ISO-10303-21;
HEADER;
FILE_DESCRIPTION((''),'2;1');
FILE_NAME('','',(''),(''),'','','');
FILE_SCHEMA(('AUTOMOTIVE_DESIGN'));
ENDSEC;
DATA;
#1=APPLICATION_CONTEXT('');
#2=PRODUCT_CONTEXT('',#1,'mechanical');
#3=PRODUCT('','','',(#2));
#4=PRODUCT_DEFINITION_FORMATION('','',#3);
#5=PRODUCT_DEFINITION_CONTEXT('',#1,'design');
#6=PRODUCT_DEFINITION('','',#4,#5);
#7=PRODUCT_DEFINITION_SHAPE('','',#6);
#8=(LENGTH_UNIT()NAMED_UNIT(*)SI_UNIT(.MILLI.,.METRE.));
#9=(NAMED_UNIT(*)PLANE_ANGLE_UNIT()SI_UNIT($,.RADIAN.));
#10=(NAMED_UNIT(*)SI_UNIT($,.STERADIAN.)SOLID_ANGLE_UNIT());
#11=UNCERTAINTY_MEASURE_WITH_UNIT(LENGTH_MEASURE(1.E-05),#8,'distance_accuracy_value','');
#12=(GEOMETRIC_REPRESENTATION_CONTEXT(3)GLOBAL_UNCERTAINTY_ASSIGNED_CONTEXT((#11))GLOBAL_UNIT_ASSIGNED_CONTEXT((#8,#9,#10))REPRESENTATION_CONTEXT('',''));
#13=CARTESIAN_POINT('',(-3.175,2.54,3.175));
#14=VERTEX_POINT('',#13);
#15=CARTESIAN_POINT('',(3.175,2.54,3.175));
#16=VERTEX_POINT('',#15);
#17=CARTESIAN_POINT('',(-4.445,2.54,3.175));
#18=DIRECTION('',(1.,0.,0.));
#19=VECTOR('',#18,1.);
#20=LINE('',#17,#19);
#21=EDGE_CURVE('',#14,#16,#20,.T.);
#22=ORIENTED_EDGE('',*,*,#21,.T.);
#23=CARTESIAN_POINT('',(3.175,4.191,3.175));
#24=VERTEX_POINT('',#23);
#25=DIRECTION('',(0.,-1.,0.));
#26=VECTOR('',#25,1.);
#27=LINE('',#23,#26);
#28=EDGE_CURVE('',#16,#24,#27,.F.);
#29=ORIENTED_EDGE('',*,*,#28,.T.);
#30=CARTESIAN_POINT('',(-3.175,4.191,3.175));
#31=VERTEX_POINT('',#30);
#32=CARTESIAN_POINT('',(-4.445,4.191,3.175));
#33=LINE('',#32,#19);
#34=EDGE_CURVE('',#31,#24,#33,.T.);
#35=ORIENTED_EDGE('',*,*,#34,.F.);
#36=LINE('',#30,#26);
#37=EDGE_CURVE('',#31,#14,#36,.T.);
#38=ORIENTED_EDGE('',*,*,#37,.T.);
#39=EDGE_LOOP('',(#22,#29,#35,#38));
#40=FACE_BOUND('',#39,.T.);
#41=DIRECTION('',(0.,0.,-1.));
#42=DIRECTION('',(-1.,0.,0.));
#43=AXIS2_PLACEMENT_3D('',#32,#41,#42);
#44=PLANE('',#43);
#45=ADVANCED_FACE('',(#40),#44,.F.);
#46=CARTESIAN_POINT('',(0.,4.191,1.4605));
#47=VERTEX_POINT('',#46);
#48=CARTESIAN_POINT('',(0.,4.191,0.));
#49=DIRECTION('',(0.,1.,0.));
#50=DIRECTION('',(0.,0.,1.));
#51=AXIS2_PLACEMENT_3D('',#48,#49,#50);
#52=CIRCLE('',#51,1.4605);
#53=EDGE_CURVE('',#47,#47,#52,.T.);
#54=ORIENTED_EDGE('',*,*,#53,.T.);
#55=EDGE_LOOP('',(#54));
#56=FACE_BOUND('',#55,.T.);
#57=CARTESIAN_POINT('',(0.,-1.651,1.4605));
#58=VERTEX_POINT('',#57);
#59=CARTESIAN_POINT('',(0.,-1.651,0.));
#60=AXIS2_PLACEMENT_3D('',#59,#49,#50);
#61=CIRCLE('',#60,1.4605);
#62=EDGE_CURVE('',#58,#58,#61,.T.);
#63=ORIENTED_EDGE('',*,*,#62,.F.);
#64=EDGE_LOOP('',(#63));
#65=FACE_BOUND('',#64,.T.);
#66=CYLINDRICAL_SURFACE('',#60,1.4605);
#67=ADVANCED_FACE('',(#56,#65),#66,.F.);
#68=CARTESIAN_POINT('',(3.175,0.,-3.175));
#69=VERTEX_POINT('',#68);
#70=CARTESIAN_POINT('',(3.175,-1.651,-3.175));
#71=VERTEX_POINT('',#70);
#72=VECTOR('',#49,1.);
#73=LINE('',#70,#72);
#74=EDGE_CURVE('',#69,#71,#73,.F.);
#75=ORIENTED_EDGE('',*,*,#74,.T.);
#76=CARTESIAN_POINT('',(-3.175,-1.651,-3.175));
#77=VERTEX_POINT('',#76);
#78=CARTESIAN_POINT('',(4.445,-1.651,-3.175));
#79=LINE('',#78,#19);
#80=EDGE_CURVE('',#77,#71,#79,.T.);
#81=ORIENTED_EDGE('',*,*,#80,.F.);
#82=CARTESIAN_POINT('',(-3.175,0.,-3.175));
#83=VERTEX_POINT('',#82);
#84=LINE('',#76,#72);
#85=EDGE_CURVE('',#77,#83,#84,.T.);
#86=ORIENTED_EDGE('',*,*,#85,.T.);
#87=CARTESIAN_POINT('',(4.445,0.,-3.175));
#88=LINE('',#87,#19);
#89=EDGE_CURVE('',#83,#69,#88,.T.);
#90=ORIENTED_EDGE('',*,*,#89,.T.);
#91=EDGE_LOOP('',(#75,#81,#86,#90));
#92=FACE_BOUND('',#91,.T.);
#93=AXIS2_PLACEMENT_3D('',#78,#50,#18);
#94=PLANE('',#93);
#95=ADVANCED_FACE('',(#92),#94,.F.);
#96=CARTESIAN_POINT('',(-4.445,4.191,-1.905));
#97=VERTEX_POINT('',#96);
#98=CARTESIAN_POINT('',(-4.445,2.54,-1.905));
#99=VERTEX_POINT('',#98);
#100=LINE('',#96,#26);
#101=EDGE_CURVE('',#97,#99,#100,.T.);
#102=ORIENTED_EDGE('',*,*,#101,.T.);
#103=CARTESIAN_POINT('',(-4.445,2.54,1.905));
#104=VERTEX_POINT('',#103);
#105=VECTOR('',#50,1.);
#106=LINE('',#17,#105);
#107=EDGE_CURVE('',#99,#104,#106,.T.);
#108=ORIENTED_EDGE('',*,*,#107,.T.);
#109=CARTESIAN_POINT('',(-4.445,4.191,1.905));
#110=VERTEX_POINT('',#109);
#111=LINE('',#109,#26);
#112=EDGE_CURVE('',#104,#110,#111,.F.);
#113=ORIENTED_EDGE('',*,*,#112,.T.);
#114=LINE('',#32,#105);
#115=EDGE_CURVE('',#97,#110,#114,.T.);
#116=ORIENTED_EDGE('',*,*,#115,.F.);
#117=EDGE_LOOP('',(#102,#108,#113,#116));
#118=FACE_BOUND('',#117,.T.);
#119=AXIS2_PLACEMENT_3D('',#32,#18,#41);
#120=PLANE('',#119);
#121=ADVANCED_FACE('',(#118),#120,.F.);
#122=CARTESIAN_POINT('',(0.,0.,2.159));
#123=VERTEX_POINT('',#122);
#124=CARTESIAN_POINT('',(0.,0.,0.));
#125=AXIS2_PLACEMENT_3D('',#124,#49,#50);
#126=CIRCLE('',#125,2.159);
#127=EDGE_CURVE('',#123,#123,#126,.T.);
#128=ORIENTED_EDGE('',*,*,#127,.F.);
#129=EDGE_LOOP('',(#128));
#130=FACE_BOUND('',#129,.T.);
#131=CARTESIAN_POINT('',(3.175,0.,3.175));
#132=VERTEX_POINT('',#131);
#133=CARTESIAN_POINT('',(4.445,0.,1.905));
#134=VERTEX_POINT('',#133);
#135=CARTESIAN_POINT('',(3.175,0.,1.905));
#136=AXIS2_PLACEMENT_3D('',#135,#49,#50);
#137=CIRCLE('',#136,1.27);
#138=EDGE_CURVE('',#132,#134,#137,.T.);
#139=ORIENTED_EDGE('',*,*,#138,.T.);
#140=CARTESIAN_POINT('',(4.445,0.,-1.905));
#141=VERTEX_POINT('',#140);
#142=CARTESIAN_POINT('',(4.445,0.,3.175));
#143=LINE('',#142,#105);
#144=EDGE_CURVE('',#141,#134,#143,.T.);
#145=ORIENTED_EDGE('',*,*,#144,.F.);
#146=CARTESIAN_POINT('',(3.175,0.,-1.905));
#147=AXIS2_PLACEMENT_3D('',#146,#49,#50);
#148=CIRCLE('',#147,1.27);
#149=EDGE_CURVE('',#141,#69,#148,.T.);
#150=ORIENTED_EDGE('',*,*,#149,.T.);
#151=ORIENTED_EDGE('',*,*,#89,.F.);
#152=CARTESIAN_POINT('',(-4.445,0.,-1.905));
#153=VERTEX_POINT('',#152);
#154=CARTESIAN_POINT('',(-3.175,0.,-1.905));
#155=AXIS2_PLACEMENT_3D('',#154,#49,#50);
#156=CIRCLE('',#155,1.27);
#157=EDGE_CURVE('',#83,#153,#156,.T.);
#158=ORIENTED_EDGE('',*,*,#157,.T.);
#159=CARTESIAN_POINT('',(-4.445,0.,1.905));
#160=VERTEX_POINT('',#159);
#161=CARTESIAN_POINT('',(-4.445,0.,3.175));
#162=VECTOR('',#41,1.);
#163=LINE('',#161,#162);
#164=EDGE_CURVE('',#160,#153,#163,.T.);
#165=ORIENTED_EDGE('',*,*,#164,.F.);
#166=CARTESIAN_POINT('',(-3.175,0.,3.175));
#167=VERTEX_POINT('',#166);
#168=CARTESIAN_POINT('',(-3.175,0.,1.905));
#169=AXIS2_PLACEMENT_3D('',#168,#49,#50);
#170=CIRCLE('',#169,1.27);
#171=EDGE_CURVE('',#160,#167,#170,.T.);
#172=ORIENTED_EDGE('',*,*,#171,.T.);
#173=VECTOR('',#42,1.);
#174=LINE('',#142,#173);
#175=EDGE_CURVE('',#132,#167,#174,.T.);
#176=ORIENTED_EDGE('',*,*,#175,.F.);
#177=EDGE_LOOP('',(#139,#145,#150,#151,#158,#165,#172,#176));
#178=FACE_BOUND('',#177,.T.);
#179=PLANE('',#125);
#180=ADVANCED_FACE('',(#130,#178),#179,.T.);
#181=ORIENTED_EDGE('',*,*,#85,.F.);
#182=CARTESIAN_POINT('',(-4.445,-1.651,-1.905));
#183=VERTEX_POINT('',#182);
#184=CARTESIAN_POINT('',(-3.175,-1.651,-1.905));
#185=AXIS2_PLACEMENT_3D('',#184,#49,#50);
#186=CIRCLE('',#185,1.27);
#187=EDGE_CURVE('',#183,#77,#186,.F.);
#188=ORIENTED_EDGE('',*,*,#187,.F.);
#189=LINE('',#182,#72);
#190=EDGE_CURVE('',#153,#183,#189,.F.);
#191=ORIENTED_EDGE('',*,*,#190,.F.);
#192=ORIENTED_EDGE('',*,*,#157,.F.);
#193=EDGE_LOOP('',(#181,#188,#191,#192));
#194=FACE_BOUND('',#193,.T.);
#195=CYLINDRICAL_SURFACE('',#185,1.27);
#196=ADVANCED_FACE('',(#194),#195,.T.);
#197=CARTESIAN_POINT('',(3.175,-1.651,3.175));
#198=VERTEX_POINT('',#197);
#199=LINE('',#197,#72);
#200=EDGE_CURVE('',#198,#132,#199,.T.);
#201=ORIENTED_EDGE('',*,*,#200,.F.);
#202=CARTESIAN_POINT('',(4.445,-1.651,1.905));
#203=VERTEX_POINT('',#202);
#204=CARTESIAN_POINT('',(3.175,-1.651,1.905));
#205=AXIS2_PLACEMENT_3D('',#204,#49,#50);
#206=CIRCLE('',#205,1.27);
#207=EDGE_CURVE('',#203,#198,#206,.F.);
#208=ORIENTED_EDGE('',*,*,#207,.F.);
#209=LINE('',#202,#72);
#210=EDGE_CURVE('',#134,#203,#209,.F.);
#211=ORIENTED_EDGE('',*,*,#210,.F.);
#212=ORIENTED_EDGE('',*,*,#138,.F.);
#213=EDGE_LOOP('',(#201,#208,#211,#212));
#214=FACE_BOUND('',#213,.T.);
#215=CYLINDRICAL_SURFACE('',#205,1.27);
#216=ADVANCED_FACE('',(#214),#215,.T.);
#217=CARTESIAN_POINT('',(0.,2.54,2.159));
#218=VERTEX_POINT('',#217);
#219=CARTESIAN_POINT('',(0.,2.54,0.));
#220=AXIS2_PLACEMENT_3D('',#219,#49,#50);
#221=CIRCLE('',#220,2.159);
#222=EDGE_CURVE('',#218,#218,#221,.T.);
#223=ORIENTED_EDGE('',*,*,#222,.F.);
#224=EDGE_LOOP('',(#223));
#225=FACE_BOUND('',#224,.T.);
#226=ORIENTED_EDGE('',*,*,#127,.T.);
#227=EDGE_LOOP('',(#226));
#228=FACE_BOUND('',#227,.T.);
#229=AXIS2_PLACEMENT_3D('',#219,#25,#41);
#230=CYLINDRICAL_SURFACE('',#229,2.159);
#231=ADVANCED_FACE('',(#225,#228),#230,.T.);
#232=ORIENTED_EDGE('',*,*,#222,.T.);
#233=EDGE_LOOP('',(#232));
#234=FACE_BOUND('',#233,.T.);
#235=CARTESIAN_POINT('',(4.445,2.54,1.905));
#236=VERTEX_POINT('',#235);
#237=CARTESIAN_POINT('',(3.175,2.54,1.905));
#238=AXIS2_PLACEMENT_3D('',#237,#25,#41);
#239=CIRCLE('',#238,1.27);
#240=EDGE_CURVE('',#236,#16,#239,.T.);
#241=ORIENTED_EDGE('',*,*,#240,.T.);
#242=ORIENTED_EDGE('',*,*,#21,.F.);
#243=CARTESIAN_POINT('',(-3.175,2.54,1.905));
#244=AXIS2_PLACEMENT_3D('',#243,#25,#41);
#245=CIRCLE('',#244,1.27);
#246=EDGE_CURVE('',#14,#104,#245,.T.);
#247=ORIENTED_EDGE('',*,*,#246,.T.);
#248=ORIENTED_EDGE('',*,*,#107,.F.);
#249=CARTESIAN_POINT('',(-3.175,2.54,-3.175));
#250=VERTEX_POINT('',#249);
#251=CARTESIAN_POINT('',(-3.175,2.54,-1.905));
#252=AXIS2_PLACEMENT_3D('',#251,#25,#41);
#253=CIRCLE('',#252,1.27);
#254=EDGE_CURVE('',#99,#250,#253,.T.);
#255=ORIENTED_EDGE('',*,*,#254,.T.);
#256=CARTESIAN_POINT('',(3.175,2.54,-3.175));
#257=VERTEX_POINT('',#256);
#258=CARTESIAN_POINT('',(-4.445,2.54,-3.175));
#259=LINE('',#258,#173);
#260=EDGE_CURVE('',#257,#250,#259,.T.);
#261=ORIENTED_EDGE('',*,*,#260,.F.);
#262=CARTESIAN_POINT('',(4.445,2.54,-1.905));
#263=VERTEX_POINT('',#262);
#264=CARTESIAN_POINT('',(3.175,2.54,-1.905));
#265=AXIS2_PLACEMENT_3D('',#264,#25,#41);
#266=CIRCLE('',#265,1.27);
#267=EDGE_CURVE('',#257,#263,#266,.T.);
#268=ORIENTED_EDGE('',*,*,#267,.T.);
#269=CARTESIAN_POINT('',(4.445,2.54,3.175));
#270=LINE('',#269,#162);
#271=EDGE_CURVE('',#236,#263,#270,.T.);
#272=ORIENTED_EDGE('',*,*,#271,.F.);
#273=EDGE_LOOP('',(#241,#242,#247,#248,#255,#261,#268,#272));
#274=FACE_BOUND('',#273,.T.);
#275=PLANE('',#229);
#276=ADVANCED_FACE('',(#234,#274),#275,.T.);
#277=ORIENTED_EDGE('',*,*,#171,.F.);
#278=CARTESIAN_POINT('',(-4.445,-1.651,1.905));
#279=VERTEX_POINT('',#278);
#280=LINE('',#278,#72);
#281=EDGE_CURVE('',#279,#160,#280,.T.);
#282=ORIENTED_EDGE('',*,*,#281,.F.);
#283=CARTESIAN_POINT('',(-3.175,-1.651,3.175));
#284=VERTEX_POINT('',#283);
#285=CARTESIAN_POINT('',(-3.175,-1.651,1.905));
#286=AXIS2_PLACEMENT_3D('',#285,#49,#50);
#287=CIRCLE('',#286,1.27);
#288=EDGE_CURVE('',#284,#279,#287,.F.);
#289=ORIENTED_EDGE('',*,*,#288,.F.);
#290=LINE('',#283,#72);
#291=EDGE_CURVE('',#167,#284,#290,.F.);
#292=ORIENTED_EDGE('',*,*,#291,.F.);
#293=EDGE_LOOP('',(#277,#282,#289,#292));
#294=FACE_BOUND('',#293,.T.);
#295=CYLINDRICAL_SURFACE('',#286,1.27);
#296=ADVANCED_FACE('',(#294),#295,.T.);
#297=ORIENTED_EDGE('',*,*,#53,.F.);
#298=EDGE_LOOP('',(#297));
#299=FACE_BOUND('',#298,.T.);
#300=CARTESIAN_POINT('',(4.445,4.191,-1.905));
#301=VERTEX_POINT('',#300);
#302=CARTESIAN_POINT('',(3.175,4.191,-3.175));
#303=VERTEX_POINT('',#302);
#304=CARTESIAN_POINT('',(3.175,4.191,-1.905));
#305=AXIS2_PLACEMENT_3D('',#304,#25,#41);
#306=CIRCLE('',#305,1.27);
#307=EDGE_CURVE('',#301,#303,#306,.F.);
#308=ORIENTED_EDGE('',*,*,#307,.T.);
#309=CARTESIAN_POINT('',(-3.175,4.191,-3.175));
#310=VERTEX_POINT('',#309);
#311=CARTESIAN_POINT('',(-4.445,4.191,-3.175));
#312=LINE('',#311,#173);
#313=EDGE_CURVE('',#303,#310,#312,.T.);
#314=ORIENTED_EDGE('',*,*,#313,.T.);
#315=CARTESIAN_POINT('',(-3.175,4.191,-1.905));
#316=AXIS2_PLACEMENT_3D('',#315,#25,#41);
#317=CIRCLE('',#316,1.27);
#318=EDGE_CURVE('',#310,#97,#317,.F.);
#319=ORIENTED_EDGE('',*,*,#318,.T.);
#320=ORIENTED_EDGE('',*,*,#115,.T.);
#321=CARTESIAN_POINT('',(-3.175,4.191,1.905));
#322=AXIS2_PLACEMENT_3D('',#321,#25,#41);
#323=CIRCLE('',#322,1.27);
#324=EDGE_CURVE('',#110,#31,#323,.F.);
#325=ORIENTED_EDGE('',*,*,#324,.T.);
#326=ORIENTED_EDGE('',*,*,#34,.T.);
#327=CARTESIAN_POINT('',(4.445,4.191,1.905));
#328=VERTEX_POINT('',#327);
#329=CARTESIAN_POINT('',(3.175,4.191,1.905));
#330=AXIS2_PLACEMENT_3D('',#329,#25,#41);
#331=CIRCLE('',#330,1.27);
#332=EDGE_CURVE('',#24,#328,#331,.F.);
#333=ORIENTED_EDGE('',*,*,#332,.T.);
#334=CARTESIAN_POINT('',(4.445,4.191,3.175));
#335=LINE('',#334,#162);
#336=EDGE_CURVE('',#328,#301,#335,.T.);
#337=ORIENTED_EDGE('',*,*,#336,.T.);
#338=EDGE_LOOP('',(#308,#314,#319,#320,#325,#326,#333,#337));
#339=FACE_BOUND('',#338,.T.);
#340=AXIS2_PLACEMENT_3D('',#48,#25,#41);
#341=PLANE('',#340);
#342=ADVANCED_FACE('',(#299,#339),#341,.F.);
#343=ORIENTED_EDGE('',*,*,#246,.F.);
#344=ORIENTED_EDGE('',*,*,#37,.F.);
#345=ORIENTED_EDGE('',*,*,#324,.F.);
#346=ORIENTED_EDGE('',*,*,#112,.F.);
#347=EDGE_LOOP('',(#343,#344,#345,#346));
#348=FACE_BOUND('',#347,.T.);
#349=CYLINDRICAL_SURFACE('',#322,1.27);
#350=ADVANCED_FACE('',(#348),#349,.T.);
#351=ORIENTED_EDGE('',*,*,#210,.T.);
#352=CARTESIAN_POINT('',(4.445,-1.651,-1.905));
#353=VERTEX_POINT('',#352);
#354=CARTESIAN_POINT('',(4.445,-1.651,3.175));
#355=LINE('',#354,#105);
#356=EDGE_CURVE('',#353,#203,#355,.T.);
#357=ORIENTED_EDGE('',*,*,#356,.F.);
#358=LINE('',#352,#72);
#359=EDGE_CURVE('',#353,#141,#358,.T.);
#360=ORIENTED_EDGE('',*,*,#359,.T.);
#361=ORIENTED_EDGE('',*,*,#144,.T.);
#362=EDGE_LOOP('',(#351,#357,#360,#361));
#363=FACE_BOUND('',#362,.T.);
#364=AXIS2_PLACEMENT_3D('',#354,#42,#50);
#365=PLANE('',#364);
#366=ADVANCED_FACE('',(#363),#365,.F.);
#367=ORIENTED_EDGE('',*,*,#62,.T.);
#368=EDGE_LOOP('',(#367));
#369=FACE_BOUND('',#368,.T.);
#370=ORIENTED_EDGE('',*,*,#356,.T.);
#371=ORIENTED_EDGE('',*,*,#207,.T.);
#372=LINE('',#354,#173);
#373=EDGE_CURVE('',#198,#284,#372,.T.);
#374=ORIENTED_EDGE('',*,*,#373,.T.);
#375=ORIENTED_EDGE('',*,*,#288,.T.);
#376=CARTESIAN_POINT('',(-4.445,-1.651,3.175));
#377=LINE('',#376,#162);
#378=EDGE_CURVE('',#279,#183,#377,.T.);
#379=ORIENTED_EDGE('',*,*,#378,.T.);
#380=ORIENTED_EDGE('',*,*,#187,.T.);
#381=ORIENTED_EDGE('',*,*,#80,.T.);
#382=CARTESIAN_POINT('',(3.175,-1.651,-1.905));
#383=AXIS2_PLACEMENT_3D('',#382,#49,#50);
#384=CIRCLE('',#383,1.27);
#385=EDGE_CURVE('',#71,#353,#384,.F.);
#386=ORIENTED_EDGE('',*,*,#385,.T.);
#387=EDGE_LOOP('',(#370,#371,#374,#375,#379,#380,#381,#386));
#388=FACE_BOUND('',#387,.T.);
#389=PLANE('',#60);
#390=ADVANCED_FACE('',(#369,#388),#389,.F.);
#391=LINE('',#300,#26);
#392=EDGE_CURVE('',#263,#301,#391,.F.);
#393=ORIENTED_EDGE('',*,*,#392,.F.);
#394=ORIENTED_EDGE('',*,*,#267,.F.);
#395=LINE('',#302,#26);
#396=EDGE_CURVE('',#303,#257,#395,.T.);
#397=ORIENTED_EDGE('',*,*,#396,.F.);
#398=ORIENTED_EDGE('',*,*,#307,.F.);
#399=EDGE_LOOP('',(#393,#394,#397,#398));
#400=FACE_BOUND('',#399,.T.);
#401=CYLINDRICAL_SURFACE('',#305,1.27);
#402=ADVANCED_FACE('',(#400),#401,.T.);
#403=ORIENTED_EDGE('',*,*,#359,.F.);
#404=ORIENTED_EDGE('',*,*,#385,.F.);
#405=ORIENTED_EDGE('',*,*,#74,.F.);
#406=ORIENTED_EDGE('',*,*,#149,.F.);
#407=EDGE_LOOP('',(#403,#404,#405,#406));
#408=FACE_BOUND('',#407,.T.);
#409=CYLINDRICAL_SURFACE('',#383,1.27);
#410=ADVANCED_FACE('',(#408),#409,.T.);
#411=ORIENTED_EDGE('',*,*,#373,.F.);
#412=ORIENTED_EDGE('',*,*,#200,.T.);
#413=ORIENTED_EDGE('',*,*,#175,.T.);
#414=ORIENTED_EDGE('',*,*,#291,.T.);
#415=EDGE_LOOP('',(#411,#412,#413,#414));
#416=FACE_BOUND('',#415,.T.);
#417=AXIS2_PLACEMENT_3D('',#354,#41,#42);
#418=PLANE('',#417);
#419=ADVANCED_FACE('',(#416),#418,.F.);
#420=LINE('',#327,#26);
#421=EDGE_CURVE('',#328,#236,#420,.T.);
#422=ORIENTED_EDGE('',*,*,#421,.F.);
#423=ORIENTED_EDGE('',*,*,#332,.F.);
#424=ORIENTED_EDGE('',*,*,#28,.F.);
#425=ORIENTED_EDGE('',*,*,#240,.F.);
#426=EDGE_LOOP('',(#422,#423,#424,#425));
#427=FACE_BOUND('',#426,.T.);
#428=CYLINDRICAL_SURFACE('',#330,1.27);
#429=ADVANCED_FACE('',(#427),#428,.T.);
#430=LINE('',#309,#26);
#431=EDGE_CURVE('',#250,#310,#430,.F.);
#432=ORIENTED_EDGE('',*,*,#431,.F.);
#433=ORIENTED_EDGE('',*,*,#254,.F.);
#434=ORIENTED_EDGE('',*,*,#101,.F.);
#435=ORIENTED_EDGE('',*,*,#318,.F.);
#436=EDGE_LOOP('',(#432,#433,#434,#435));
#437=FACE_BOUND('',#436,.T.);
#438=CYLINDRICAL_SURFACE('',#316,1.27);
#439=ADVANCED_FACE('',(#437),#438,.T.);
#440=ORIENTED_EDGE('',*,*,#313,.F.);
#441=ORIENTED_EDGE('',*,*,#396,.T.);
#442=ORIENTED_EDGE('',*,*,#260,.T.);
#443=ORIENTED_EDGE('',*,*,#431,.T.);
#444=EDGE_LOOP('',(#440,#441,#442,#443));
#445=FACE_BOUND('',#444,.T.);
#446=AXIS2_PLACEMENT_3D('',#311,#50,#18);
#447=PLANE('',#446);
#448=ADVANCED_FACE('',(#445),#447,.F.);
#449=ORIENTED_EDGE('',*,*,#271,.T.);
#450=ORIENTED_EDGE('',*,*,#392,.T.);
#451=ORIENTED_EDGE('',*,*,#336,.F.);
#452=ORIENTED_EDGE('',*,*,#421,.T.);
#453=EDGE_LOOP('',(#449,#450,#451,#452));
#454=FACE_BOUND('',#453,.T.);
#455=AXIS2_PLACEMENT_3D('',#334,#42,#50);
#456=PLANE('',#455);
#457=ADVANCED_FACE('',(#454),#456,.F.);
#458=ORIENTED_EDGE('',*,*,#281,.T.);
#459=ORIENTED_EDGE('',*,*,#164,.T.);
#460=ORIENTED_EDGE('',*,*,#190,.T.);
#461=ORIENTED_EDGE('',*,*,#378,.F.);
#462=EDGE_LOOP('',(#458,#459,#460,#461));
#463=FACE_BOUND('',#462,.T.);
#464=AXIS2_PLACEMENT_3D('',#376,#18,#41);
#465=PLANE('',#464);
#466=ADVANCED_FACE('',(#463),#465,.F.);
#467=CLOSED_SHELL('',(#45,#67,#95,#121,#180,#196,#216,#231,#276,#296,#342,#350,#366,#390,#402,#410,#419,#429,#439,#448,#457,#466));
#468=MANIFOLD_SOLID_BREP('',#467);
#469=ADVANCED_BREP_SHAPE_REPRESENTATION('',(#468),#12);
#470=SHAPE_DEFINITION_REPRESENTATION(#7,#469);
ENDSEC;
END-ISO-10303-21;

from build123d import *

# Parameters (mm, degrees)
SKETCH1_R           = 2.159
BOSS_EXTRUDE1_DEPTH = 2.54
SKETCH2_W           = 8.89
SKETCH2_H           = 6.35
BOSS_EXTRUDE2_DEPTH = 1.651
SKETCH3_W           = 8.89
SKETCH3_H           = 6.35
BOSS_EXTRUDE3_DEPTH = 1.651
SKETCH4_R           = 1.4605
CUT_EXTRUDE1_DEPTH  = 6.842
FILLET1_R           = 1.27


with BuildPart() as part:
    # Sketch1 → Boss-Extrude1 (new body)
    with BuildSketch(Plane(origin=(0, 0, 0), x_dir=(1, 0, 0), z_dir=(0, 1, 0))):
        Circle(SKETCH1_R)
    extrude(amount=BOSS_EXTRUDE1_DEPTH)

    # Sketch2 → Boss-Extrude2 (add)
    with BuildSketch(Plane(origin=(0, 2.54, 0), x_dir=(1, 0, 0), z_dir=(0, 1, 0))):
        Rectangle(SKETCH2_W, SKETCH2_H)
    extrude(amount=BOSS_EXTRUDE2_DEPTH)

    # Sketch3 → Boss-Extrude3 (add)
    with BuildSketch(Plane(origin=(0, 0, 0), x_dir=(-1, 0, 0), z_dir=(0, -1, 0))):
        Rectangle(SKETCH3_W, SKETCH3_H)
    extrude(amount=BOSS_EXTRUDE3_DEPTH)

    # Sketch4 → Cut-Extrude1 (cut, through all)
    with BuildSketch(Plane(origin=(0, 4.191, 0), x_dir=(1, 0, 0), z_dir=(0, 1, 0))):
        Circle(SKETCH4_R)
    extrude(amount=-CUT_EXTRUDE1_DEPTH, mode=Mode.SUBTRACT)

    # Fillet1
    fillet1_edges = [part.edges().sort_by_distance(p)[0] for p in [
        (-4.445, -0.8255, 3.175),
        (-4.445, -0.8255, -3.175),
        (4.445, -0.8255, -3.175),
        (4.445, -0.8255, 3.175),
        (4.445, 3.3655, 3.175),
        (4.445, 3.3655, -3.175),
        (-4.445, 3.3655, -3.175),
        (-4.445, 3.3655, 3.175),
    ]]
    fillet(fillet1_edges, radius=FILLET1_R)


solid = part.part
